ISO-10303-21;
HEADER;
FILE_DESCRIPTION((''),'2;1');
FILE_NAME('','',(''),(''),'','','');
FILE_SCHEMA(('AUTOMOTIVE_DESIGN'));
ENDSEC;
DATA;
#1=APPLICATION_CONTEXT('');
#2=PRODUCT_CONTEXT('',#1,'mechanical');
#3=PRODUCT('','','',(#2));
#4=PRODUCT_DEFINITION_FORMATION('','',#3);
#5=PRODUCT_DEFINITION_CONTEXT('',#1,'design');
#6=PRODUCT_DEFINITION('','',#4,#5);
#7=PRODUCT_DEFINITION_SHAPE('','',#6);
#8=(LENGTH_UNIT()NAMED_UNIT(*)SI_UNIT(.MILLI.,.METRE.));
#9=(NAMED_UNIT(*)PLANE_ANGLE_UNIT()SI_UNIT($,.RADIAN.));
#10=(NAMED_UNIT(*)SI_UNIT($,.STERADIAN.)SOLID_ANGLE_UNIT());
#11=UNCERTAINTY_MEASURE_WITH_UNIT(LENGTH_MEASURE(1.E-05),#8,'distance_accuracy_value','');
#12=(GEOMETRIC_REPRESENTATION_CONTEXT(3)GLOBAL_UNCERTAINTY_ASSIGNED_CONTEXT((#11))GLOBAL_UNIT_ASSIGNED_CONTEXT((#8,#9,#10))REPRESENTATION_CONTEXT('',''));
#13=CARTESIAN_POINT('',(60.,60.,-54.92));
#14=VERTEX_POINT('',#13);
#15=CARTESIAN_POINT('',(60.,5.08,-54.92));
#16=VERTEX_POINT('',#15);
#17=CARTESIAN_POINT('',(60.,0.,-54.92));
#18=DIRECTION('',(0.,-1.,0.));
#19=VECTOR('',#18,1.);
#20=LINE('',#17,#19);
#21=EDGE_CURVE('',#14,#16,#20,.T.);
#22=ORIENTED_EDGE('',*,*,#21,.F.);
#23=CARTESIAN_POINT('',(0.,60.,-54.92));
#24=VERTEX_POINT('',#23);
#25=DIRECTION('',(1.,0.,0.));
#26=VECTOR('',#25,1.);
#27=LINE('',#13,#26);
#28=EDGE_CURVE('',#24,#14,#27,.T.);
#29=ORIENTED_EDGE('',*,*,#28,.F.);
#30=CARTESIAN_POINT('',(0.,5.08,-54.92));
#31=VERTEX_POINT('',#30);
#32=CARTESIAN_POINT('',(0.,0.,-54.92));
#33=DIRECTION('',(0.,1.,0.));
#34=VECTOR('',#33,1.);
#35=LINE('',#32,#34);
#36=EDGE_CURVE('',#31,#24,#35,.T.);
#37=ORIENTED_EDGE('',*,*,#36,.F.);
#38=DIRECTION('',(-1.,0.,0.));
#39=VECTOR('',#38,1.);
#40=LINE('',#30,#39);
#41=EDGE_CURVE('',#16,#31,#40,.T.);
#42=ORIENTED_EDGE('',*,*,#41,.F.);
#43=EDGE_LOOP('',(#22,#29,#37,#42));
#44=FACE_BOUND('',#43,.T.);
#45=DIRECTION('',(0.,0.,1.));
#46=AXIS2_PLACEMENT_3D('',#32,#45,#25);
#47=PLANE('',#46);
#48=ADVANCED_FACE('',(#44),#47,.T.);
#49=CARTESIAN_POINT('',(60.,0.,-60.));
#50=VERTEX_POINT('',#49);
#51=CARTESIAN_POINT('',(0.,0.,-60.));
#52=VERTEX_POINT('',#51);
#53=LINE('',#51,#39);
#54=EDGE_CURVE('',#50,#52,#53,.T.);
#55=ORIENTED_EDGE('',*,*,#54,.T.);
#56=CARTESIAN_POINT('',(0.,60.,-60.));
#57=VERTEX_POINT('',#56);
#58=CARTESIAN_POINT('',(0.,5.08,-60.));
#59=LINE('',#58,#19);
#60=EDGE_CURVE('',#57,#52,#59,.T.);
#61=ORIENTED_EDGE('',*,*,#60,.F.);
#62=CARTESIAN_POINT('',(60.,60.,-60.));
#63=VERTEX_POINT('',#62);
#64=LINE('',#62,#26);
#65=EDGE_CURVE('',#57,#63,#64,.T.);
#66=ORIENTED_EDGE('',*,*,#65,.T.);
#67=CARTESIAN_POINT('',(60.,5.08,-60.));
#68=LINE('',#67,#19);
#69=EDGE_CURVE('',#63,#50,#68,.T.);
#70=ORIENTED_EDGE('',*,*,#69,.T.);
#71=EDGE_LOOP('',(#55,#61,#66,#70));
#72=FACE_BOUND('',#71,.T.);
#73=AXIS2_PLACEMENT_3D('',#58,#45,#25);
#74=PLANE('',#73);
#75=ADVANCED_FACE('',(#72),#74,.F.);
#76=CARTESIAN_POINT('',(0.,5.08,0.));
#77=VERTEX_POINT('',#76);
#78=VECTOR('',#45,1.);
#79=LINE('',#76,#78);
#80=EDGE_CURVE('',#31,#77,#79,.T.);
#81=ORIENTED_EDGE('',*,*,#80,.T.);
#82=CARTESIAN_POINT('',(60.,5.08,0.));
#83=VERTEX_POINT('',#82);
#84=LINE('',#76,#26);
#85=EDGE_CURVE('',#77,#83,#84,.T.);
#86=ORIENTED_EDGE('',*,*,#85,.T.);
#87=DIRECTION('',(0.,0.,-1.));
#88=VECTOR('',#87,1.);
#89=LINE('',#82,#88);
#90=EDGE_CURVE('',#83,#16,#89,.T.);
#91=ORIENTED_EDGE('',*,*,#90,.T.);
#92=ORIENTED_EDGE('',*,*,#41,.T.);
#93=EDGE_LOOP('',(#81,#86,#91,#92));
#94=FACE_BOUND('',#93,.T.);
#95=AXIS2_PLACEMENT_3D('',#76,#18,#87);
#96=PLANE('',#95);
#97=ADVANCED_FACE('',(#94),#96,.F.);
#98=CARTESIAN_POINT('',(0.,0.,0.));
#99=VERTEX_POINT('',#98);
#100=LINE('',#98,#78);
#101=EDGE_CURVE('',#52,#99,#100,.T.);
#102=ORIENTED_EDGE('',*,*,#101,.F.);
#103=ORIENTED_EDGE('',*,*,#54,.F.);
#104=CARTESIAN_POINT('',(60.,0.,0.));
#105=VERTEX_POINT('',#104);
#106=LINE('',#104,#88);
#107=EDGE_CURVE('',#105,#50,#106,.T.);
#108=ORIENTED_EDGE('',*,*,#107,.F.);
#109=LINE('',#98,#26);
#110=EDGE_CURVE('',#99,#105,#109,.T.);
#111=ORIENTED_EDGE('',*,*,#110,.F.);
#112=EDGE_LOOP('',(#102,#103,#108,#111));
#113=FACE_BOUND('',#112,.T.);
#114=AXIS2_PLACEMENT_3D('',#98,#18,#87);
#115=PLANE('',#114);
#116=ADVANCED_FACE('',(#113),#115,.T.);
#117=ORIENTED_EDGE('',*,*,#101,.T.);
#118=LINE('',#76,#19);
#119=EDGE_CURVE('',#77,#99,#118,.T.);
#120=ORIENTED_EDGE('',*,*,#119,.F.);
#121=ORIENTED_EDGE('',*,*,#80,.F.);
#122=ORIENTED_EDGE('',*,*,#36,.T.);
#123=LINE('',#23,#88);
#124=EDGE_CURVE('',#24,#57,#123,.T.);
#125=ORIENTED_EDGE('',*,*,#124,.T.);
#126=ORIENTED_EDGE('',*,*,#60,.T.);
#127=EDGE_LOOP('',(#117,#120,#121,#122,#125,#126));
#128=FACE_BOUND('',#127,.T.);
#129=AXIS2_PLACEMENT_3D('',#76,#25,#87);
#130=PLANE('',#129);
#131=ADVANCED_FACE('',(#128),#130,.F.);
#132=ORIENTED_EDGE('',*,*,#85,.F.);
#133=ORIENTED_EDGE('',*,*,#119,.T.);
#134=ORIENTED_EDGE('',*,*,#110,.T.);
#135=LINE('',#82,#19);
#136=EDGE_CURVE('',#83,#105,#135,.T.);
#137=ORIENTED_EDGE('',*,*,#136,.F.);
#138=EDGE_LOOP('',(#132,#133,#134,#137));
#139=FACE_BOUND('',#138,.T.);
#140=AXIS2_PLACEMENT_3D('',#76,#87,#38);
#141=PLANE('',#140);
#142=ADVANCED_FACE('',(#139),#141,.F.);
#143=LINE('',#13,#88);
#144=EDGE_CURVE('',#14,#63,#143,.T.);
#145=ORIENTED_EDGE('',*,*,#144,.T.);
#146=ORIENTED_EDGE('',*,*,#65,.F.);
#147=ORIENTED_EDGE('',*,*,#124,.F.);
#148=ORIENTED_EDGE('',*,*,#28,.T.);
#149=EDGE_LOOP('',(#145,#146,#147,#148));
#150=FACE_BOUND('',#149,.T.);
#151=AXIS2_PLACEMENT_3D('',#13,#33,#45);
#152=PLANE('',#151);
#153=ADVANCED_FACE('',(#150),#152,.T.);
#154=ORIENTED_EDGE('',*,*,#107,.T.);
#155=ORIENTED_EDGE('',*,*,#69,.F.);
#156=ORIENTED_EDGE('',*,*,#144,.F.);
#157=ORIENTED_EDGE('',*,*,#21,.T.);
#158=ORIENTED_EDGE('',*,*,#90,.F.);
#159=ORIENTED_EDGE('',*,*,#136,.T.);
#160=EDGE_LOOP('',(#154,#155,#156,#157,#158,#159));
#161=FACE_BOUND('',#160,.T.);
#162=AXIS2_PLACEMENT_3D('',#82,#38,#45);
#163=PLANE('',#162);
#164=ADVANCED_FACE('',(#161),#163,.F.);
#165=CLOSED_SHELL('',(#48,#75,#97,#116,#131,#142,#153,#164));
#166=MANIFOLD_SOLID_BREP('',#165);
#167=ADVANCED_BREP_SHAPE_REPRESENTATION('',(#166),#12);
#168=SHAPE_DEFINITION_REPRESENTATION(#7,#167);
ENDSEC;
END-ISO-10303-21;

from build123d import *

# Parameters (mm, degrees)
SKETCH1_W           = 60
SKETCH1_H           = 60
BOSS_EXTRUDE1_DEPTH = 5.08
SKETCH2_W           = 60
SKETCH2_H           = 60
BOSS_EXTRUDE2_DEPTH = 5.08


with BuildPart() as part:
    # Sketch1 → Boss-Extrude1 (new body)
    with BuildSketch(Plane(origin=(0, 0, 0), x_dir=(1, 0, 0), z_dir=(0, 1, 0))):
        with Locations((30, 30)):
            Rectangle(SKETCH1_W, SKETCH1_H)
    extrude(amount=BOSS_EXTRUDE1_DEPTH)

    # Sketch2 → Boss-Extrude2 (add)
    with BuildSketch(Plane(origin=(0, 0, -60), x_dir=(-1, 0, 0), z_dir=(0, 0, -1))):
        with Locations((-30, 30)):
            Rectangle(SKETCH2_W, SKETCH2_H)
    extrude(amount=-BOSS_EXTRUDE2_DEPTH)


solid = part.part
